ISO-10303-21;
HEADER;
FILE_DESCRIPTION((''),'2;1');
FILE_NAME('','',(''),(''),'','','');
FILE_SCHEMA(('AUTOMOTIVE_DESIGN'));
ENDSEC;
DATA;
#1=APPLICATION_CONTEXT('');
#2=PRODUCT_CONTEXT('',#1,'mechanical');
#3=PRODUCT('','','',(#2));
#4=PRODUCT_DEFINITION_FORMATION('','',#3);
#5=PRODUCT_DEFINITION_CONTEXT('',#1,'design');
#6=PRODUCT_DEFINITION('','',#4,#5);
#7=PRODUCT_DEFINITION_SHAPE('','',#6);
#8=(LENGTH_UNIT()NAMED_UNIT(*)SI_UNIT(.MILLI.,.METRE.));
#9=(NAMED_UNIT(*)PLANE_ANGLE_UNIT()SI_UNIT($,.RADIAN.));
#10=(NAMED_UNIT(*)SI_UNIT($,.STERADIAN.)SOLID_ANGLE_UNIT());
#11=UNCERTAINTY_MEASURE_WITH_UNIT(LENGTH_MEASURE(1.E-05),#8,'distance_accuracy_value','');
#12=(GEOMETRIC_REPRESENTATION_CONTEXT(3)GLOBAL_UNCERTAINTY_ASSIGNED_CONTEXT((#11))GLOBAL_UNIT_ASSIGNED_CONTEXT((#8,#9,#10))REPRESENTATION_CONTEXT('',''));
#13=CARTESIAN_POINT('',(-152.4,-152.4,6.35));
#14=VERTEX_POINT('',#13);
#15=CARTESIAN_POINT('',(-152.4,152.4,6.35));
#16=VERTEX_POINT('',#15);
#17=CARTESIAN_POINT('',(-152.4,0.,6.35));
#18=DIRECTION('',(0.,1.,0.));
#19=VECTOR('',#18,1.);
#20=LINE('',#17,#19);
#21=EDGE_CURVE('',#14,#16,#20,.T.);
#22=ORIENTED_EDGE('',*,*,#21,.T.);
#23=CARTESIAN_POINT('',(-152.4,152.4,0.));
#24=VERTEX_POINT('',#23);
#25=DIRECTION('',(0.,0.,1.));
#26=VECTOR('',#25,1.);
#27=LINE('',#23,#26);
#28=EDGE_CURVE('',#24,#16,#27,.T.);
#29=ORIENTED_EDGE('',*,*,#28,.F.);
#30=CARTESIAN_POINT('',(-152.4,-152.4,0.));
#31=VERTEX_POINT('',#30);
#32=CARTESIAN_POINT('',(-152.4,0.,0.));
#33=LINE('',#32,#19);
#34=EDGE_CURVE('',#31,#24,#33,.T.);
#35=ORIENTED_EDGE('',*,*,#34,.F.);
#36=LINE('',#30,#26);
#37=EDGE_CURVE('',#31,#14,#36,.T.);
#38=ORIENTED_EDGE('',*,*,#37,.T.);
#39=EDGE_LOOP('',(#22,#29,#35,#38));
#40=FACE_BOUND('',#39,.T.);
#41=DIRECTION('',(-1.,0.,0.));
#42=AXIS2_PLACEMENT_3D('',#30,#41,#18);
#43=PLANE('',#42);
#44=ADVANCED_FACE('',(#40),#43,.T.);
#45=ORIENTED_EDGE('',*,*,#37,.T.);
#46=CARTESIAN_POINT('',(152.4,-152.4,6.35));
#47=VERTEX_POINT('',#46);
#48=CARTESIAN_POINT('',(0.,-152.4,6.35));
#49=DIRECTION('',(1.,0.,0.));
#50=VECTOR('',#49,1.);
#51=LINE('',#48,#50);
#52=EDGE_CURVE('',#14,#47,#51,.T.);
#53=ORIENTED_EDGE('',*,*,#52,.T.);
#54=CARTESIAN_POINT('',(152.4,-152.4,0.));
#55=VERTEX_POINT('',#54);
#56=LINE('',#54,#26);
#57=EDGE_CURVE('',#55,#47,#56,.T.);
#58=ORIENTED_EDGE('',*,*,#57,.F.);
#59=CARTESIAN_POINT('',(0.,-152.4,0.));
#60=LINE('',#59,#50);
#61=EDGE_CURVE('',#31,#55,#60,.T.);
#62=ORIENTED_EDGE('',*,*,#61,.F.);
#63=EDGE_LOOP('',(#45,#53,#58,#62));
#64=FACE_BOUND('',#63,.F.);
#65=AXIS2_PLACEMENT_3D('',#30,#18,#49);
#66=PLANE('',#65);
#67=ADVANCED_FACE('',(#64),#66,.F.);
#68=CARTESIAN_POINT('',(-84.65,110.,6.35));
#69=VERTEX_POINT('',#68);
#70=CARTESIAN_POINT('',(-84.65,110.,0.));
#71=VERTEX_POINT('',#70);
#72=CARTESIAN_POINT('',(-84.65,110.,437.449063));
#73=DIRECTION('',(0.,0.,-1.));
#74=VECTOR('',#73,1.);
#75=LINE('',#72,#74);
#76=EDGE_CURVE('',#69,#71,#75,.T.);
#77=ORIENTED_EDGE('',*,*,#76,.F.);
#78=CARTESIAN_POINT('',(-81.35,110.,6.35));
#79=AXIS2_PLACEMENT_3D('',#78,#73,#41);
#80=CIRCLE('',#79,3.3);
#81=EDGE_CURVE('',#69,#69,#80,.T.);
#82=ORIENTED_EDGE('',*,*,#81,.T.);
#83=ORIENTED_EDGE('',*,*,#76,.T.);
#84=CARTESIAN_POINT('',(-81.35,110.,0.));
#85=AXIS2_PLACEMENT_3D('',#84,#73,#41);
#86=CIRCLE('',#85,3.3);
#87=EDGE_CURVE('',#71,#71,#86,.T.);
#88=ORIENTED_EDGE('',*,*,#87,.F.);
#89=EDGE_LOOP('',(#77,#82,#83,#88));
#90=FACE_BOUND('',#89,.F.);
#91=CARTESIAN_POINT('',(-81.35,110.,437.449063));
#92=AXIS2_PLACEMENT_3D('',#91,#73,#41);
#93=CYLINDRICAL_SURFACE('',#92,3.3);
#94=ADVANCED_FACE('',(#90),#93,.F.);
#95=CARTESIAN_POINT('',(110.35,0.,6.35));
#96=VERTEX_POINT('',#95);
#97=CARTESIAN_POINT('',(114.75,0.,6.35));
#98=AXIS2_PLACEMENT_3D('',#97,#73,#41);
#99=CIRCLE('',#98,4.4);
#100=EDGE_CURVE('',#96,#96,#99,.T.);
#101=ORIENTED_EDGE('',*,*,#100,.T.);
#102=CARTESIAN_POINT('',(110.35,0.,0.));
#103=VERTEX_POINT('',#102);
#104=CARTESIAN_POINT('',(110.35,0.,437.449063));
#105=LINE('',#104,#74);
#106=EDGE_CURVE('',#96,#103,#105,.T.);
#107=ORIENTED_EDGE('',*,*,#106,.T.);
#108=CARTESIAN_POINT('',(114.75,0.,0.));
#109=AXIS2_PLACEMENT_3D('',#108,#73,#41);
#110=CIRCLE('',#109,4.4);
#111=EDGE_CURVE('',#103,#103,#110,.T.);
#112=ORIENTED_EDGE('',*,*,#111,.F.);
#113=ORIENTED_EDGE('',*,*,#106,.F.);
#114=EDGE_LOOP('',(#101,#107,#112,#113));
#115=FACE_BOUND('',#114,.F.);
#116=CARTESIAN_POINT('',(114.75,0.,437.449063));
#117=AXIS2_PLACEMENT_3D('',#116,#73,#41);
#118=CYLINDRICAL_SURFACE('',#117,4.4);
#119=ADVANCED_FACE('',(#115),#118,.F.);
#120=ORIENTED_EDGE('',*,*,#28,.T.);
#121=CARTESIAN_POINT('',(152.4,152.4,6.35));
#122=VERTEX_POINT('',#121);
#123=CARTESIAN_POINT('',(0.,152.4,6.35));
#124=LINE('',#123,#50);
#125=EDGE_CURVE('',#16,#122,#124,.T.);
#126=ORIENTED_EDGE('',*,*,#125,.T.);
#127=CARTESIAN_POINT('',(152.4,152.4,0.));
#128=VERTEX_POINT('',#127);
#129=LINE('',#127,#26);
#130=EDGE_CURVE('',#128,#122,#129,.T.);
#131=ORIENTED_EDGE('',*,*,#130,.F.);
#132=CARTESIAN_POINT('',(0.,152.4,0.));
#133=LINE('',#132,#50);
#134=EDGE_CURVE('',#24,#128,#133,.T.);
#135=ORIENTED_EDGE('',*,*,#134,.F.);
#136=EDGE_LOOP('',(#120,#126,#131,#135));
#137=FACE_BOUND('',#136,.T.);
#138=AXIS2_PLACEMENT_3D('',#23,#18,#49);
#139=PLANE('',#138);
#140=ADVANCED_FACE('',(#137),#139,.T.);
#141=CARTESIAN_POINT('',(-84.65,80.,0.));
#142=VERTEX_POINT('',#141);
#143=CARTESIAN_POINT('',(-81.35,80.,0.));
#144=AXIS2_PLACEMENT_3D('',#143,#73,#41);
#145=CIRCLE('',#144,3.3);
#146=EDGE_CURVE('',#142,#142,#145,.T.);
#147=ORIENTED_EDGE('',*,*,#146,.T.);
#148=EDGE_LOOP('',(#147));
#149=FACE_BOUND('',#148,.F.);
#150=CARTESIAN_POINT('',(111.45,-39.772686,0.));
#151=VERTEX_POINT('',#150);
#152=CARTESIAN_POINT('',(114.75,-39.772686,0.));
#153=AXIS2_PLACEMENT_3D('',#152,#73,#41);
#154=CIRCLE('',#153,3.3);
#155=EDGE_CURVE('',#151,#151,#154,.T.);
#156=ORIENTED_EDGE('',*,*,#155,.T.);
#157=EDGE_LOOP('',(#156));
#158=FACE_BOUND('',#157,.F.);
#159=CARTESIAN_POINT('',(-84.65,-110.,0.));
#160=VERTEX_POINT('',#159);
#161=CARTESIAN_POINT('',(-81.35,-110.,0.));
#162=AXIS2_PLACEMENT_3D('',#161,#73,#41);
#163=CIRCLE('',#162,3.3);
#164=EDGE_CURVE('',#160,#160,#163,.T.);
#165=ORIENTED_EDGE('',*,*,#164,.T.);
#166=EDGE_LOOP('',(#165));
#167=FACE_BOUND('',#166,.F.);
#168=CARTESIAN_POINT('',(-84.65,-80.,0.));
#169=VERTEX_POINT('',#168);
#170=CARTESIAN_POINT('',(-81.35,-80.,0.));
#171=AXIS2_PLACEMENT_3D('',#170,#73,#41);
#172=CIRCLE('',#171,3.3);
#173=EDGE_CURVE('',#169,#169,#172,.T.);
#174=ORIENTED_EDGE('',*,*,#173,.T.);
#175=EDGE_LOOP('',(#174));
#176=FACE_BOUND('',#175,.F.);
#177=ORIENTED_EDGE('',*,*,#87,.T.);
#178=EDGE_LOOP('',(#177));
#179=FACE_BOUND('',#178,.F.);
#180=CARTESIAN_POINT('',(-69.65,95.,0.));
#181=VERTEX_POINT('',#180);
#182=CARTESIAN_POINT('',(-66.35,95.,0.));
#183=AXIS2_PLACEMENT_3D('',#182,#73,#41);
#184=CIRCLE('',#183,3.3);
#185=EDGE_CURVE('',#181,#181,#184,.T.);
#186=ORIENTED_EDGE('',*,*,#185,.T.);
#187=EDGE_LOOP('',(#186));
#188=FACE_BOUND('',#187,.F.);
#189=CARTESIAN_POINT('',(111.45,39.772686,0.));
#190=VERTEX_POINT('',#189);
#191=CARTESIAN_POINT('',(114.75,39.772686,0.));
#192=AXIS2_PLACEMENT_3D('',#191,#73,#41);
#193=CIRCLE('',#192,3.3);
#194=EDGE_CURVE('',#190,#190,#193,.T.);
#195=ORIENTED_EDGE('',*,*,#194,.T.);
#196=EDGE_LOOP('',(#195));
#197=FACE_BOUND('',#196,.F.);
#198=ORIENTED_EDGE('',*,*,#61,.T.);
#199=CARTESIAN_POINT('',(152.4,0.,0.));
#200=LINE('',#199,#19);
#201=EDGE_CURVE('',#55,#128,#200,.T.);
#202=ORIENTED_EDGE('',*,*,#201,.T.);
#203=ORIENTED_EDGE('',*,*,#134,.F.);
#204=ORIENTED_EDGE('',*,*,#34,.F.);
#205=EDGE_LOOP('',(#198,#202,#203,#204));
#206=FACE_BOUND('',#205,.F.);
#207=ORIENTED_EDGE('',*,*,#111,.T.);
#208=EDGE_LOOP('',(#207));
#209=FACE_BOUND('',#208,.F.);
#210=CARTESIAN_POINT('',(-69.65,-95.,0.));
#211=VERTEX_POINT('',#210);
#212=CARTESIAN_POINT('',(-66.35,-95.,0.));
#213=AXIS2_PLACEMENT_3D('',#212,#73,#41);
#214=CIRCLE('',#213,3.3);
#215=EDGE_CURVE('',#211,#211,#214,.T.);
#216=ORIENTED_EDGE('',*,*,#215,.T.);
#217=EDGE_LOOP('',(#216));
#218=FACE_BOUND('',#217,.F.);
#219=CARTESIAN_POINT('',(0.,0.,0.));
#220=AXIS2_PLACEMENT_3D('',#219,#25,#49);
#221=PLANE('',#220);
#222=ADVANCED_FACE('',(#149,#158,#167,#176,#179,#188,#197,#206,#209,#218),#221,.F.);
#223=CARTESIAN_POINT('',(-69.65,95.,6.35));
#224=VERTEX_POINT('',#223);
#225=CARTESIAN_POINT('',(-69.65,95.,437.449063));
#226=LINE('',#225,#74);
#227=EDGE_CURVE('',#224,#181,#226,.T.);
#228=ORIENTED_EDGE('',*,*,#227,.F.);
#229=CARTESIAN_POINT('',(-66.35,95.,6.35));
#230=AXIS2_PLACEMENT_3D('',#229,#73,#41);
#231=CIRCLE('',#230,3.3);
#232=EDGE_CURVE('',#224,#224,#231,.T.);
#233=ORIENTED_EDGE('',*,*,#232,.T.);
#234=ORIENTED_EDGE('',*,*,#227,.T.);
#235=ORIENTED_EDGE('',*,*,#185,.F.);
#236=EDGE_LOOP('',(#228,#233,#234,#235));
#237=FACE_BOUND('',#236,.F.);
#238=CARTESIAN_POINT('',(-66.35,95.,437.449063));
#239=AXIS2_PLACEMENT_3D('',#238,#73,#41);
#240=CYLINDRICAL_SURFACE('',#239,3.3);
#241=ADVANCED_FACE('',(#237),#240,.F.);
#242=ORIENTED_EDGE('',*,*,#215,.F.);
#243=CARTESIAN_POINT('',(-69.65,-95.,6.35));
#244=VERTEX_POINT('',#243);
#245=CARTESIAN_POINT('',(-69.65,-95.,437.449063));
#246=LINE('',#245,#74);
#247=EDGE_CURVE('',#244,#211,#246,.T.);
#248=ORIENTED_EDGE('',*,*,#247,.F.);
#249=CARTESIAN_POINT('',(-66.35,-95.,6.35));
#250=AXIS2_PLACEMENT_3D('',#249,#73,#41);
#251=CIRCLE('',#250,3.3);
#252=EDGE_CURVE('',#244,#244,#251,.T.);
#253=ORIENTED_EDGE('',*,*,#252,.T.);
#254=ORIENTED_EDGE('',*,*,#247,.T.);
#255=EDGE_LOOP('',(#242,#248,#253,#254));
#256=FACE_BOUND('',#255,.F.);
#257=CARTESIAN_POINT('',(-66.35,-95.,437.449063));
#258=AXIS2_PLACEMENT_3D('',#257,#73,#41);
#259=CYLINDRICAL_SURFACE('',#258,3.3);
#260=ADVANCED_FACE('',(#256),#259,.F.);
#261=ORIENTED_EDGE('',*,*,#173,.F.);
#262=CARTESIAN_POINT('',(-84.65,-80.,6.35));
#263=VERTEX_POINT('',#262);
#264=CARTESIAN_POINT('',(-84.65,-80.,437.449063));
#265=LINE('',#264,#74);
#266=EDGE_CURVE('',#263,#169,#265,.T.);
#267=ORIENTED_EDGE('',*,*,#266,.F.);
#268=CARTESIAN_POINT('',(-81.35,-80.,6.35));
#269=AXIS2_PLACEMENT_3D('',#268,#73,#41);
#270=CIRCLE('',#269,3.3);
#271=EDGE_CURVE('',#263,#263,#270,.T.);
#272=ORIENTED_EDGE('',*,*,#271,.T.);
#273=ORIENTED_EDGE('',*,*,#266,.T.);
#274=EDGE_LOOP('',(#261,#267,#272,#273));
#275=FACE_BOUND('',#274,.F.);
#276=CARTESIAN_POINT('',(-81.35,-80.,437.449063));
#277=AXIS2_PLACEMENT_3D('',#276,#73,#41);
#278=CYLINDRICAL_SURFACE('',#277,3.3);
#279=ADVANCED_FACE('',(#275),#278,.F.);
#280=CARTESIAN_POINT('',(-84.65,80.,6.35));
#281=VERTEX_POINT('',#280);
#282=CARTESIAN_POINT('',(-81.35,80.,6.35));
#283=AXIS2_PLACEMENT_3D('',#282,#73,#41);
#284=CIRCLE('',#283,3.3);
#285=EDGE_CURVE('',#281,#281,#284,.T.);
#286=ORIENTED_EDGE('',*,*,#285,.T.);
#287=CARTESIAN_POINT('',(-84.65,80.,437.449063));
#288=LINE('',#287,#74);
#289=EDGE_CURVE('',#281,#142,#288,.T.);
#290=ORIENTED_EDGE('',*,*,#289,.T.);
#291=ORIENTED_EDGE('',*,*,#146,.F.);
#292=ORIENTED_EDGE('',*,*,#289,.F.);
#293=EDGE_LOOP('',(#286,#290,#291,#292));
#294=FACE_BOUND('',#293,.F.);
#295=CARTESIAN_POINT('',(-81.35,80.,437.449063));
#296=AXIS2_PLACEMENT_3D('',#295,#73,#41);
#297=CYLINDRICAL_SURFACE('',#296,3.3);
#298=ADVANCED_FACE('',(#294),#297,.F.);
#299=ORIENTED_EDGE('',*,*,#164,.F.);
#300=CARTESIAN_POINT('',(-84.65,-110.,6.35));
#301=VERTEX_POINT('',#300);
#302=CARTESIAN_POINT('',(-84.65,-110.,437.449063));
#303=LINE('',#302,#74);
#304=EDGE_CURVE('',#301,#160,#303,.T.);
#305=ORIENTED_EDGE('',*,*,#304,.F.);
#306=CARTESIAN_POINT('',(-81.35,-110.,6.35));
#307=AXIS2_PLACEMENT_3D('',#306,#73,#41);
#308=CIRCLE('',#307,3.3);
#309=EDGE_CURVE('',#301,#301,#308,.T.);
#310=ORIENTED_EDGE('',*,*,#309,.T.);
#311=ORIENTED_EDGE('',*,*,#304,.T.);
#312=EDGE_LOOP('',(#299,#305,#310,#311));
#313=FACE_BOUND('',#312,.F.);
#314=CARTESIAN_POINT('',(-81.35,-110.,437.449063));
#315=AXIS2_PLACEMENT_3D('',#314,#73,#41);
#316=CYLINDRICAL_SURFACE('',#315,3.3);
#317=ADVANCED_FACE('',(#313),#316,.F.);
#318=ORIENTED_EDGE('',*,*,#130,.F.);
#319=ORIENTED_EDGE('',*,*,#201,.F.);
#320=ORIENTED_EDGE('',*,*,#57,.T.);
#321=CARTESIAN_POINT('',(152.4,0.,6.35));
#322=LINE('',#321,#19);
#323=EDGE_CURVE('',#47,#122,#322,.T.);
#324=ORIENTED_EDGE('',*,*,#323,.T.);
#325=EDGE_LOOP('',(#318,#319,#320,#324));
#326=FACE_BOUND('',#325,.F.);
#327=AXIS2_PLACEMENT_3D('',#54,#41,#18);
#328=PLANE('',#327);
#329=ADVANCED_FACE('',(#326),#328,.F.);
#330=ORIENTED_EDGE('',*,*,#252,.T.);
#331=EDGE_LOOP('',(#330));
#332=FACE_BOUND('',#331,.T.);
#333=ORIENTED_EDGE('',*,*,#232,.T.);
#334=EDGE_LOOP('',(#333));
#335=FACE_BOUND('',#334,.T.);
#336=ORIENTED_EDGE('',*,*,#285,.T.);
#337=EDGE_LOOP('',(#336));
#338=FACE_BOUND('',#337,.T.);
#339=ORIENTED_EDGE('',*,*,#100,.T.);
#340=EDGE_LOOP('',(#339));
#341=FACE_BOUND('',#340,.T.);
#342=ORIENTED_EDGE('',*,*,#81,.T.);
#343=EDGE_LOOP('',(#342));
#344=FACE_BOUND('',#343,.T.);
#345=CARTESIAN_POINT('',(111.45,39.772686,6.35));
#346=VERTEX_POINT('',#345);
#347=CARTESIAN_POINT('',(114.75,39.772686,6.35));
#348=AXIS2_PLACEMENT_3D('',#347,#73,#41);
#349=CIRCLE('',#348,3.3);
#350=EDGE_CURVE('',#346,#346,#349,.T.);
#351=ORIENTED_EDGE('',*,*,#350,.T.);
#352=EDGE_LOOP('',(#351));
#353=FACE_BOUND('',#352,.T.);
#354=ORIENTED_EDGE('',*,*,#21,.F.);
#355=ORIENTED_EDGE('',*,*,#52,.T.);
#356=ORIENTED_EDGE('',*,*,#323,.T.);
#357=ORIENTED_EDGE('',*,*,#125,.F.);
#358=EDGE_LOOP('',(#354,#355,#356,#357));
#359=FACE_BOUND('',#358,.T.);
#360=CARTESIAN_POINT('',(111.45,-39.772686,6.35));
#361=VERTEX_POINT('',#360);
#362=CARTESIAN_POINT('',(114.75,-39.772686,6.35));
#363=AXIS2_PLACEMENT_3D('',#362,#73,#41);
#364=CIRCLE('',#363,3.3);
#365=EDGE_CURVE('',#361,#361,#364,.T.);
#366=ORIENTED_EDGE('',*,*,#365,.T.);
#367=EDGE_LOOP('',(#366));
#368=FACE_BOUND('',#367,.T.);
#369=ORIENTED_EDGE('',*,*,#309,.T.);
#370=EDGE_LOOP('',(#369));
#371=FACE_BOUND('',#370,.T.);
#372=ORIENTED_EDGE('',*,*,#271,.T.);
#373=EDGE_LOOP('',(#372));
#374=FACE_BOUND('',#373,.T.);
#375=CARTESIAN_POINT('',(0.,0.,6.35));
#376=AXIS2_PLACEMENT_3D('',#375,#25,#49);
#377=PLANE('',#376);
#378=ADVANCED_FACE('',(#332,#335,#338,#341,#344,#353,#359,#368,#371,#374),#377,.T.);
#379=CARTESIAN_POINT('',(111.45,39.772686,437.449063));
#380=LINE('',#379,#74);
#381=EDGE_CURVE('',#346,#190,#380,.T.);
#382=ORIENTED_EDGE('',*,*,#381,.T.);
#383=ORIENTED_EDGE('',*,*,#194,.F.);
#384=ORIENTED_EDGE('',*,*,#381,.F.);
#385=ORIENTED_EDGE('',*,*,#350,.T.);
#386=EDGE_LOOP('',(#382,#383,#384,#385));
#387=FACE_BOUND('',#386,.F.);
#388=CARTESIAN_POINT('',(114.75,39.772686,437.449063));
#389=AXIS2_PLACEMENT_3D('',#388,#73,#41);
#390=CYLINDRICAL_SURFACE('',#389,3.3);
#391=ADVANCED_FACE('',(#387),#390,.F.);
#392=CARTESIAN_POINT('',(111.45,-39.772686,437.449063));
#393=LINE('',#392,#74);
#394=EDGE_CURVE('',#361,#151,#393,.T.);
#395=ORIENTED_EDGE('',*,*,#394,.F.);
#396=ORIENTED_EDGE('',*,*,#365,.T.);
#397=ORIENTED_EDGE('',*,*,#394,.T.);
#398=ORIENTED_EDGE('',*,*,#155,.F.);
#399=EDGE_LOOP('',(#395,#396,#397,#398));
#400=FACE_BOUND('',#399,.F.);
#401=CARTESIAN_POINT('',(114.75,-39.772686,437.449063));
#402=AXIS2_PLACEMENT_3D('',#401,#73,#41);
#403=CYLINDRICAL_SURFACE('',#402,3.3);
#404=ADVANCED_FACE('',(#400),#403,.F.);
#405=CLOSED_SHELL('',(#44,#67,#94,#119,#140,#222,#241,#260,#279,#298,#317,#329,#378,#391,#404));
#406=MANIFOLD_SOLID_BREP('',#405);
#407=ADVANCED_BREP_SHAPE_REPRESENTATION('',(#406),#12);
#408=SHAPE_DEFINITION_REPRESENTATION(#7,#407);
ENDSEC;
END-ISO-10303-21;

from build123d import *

# Parameters (mm, degrees)
F0_W     = 304.8
F0_H     = 304.8
F1_DEPTH = 6.35
F3_D     = 6.6
F4_D     = 8.8


with BuildPart() as f1:
    # F0 (on Top) → F1 (new body)
    with BuildSketch(Plane.XY):
        Rectangle(F0_W, F0_H)
    extrude(amount=F1_DEPTH)

    # F3 (through all)
    with Locations(Plane.XY.offset(6.35)):
        with Locations((-81.35, -110), (-66.35, -95), (-81.35, -80), (-81.35, 80), (-66.35, 95), (-81.35, 110), (114.75, 39.7726856172), (114.75, -39.7726856172)):
            Hole(F3_D / 2)

    # F4 (through all)
    with Locations(Plane.XY.offset(6.35)):
        with Locations((114.75, 0)):
            Hole(F4_D / 2)


solid = f1.part
